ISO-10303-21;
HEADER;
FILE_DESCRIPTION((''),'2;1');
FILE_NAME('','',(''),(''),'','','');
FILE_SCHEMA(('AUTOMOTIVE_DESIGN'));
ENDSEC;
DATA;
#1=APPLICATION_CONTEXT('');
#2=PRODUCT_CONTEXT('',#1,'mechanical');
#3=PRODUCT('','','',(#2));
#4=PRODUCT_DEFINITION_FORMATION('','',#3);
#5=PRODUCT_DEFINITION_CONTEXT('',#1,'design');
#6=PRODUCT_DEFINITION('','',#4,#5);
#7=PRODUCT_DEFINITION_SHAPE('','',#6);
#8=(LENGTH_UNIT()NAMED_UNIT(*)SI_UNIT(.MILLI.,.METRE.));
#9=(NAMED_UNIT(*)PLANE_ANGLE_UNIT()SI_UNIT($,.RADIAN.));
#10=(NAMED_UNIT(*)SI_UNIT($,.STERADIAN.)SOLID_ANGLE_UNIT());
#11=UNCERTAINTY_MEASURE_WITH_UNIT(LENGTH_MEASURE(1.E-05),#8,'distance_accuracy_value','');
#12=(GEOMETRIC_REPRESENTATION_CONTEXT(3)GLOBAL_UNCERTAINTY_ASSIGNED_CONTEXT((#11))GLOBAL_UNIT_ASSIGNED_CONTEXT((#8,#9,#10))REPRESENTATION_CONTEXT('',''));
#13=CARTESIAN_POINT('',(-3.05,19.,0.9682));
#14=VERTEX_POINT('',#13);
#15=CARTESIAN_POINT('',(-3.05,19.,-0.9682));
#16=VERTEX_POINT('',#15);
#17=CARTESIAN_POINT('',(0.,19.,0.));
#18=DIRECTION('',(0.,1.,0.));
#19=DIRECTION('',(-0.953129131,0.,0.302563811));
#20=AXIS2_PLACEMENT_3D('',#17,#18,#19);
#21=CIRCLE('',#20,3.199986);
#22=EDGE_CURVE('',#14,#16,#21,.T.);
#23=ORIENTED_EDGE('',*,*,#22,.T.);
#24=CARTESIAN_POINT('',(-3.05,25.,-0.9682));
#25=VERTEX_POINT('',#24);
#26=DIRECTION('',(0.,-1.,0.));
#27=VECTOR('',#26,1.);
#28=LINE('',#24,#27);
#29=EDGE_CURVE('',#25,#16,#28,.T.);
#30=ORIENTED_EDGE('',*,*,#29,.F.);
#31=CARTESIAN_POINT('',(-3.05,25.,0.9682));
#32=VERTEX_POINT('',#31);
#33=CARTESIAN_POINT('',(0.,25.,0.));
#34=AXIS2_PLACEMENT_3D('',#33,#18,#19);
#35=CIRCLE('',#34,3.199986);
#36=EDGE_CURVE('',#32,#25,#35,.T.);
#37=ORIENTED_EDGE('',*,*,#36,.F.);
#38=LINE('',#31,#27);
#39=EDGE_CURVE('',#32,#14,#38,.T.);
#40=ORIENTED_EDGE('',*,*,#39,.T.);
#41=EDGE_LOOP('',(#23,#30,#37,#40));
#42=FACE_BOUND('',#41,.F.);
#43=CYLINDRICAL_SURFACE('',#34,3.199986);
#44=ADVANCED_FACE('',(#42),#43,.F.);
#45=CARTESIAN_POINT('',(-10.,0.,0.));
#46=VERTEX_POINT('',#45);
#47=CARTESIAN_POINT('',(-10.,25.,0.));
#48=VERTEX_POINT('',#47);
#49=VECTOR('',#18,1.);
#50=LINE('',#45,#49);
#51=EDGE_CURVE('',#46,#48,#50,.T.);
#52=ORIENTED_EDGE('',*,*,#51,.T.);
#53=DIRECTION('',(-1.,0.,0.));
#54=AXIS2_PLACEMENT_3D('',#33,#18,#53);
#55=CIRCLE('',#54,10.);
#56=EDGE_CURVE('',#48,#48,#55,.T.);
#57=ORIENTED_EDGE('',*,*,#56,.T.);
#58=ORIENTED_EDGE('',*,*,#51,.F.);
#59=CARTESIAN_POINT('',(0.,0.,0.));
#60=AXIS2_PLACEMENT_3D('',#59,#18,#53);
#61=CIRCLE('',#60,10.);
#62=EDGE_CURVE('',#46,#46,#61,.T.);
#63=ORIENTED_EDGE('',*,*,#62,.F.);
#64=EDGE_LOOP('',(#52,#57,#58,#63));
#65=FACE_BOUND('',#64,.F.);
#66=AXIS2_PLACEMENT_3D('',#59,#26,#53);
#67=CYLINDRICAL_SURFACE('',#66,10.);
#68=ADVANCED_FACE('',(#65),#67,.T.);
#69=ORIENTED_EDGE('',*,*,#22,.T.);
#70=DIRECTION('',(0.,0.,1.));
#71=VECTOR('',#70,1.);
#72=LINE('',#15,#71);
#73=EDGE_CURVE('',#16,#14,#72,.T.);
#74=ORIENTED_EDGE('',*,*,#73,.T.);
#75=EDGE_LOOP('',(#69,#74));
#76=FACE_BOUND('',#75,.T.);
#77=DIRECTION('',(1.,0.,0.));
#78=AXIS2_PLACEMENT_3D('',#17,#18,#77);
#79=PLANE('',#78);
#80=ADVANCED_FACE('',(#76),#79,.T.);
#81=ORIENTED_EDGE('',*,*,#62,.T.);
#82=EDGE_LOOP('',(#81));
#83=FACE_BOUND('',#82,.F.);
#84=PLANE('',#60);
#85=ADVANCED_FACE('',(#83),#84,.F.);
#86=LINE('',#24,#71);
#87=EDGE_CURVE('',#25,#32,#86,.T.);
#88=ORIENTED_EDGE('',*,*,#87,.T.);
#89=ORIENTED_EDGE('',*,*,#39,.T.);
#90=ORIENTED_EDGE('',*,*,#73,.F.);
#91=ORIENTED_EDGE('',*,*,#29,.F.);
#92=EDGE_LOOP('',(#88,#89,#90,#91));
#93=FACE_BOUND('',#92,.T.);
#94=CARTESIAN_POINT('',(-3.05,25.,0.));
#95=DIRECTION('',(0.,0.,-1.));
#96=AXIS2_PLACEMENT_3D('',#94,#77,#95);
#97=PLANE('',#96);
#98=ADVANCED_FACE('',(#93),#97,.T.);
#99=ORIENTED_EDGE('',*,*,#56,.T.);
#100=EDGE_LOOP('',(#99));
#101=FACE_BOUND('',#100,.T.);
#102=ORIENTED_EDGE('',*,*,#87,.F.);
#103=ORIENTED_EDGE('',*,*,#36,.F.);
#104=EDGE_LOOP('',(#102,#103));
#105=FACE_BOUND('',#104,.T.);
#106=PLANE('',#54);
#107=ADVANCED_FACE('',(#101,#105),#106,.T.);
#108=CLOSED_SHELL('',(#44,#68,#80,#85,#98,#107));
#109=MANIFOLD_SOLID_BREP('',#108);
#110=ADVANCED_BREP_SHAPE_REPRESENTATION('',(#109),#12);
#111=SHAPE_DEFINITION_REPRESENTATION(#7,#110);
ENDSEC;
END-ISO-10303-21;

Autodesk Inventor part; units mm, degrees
ref_plane "YZ Plane" through (0, 0, 0) normal (1, 0, 0) x (0, 1, 0)
ref_plane "XZ Plane" through (0, 0, 0) normal (0, 1, 0) x (-1, 0, 0)
ref_plane "XY Plane" through (0, 0, 0) normal (0, 0, 1) x (1, 0, 0)
sketch "Sketch1" plane through (0, 0, 0) normal (0, 1, 0) x (-1, 0, 0)
  circle A0 centre (0, 0) radius 10
  dimension "d0" = 20
extrude "Extrusion1" add sketch "Sketch1" along normal blind 25
sketch "Sketch2" plane through (0, 25, 0) normal (0, 1, 0) x (1, 0, 0)
  arc A0 (-3.05, -0.9682) -> (-3.05, 0.9682) centre (0, 0) ccw
  circle A1 centre (0, 0) radius 3.05
  line L0 (-3.05, 0) -> (-3.05, 0.9682)
  line L1 (-3.05, 0) -> (-3.05, -0.9682)
  dimension "d4" = 6.1
  dimension "d3" = 6.4
extrude "Extrusion2" cut sketch "Sketch2" against normal blind 6 contours A1 | L1 L0 A0
equation "\"BendRadius\" = Thickness"
equation "\"BendReliefWidth\" = Thickness"
equation "\"BendReliefDepth\" = 0.5 * Thickness"
equation "\"CornerReliefSize\" = 4 * Thickness"
equation "\"MinimumRemnant\" = 2 * Thickness"
equation "\"TransitionRadius\" = BendRadius"
equation "\"JacobiRadiusSize\" = BendRadius"
equation "\"GapSize\" = Thickness"
equation "\"Thickness\" = 0.5"
properties part number "afirmamotor"
